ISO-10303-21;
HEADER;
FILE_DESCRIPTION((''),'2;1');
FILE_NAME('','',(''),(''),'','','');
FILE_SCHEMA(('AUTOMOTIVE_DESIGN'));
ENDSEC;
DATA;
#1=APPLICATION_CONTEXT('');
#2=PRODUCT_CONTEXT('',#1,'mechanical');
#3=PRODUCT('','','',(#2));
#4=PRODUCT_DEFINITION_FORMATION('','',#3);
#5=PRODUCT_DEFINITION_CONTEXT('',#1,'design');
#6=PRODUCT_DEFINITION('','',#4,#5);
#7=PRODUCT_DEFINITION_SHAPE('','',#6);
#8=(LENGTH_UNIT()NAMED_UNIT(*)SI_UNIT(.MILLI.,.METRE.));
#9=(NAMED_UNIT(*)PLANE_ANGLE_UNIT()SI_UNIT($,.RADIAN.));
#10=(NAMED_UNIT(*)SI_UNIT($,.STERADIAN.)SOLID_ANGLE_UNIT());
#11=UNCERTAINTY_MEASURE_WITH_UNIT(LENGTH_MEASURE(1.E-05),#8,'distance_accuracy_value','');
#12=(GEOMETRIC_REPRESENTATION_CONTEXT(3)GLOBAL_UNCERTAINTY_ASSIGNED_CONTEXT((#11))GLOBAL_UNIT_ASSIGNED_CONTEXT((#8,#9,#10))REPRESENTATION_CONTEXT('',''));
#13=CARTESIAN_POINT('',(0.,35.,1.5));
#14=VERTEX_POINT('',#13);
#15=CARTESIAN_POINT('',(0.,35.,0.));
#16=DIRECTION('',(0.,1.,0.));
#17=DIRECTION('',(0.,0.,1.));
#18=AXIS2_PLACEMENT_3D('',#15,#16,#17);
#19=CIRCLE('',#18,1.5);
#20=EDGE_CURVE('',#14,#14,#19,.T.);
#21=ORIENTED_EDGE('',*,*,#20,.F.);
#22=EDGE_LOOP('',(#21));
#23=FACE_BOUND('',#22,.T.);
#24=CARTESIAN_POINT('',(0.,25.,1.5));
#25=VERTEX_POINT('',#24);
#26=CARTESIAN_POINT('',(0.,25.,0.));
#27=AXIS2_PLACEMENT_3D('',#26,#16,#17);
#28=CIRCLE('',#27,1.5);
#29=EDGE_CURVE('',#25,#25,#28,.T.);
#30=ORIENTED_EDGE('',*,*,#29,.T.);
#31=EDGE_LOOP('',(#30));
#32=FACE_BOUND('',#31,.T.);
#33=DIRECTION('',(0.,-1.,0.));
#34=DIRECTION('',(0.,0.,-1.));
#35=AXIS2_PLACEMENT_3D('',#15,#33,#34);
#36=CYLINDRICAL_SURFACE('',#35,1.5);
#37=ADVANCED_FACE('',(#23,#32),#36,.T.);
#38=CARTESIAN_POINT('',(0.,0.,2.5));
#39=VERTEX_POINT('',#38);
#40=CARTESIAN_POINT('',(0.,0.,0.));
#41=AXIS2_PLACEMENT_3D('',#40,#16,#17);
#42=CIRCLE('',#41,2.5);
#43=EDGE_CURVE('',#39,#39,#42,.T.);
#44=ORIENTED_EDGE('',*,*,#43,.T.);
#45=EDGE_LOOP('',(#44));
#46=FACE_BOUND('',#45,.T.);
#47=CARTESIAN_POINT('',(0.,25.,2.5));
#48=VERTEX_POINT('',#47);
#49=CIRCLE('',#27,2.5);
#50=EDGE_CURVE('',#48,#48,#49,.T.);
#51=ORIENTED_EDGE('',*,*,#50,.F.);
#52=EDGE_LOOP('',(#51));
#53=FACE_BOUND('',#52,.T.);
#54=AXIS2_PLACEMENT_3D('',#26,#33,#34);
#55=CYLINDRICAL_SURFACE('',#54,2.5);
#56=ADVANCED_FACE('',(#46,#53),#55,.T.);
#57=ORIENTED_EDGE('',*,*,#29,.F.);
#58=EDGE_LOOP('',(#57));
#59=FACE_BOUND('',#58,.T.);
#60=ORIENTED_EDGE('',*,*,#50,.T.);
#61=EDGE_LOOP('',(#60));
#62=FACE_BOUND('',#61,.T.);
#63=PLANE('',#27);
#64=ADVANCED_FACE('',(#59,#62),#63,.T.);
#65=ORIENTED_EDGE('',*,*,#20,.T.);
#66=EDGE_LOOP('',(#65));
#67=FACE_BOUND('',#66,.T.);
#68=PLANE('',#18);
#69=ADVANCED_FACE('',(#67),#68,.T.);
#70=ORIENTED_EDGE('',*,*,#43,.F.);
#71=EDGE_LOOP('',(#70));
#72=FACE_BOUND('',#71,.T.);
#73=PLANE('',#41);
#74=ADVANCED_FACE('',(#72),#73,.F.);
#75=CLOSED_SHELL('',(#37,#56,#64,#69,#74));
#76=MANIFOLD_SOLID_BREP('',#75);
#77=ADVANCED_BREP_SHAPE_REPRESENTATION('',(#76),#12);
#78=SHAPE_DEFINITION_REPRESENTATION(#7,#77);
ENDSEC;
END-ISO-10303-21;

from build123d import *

# Parameters (mm, degrees)
SKETCH1_R           = 2.5
BOSS_EXTRUDE1_DEPTH = 25
SKETCH3_R           = 1.5
BOSS_EXTRUDE2_DEPTH = 10


with BuildPart() as part:
    # Sketch1 → Boss-Extrude1 (new body)
    with BuildSketch(Plane(origin=(0, 0, 0), x_dir=(1, 0, 0), z_dir=(0, 1, 0))):
        with Locations(Location((0, 0, 0), (0, 0, 270))):
            Circle(SKETCH1_R)
    extrude(amount=BOSS_EXTRUDE1_DEPTH)

    # Sketch3 → Boss-Extrude2 (add)
    with BuildSketch(Plane(origin=(0, 25, 0), x_dir=(1, 0, 0), z_dir=(0, 1, 0))):
        with Locations(Location((0, 0, 0), (0, 0, 270))):
            Circle(SKETCH3_R)
    extrude(amount=BOSS_EXTRUDE2_DEPTH)


solid = part.part
